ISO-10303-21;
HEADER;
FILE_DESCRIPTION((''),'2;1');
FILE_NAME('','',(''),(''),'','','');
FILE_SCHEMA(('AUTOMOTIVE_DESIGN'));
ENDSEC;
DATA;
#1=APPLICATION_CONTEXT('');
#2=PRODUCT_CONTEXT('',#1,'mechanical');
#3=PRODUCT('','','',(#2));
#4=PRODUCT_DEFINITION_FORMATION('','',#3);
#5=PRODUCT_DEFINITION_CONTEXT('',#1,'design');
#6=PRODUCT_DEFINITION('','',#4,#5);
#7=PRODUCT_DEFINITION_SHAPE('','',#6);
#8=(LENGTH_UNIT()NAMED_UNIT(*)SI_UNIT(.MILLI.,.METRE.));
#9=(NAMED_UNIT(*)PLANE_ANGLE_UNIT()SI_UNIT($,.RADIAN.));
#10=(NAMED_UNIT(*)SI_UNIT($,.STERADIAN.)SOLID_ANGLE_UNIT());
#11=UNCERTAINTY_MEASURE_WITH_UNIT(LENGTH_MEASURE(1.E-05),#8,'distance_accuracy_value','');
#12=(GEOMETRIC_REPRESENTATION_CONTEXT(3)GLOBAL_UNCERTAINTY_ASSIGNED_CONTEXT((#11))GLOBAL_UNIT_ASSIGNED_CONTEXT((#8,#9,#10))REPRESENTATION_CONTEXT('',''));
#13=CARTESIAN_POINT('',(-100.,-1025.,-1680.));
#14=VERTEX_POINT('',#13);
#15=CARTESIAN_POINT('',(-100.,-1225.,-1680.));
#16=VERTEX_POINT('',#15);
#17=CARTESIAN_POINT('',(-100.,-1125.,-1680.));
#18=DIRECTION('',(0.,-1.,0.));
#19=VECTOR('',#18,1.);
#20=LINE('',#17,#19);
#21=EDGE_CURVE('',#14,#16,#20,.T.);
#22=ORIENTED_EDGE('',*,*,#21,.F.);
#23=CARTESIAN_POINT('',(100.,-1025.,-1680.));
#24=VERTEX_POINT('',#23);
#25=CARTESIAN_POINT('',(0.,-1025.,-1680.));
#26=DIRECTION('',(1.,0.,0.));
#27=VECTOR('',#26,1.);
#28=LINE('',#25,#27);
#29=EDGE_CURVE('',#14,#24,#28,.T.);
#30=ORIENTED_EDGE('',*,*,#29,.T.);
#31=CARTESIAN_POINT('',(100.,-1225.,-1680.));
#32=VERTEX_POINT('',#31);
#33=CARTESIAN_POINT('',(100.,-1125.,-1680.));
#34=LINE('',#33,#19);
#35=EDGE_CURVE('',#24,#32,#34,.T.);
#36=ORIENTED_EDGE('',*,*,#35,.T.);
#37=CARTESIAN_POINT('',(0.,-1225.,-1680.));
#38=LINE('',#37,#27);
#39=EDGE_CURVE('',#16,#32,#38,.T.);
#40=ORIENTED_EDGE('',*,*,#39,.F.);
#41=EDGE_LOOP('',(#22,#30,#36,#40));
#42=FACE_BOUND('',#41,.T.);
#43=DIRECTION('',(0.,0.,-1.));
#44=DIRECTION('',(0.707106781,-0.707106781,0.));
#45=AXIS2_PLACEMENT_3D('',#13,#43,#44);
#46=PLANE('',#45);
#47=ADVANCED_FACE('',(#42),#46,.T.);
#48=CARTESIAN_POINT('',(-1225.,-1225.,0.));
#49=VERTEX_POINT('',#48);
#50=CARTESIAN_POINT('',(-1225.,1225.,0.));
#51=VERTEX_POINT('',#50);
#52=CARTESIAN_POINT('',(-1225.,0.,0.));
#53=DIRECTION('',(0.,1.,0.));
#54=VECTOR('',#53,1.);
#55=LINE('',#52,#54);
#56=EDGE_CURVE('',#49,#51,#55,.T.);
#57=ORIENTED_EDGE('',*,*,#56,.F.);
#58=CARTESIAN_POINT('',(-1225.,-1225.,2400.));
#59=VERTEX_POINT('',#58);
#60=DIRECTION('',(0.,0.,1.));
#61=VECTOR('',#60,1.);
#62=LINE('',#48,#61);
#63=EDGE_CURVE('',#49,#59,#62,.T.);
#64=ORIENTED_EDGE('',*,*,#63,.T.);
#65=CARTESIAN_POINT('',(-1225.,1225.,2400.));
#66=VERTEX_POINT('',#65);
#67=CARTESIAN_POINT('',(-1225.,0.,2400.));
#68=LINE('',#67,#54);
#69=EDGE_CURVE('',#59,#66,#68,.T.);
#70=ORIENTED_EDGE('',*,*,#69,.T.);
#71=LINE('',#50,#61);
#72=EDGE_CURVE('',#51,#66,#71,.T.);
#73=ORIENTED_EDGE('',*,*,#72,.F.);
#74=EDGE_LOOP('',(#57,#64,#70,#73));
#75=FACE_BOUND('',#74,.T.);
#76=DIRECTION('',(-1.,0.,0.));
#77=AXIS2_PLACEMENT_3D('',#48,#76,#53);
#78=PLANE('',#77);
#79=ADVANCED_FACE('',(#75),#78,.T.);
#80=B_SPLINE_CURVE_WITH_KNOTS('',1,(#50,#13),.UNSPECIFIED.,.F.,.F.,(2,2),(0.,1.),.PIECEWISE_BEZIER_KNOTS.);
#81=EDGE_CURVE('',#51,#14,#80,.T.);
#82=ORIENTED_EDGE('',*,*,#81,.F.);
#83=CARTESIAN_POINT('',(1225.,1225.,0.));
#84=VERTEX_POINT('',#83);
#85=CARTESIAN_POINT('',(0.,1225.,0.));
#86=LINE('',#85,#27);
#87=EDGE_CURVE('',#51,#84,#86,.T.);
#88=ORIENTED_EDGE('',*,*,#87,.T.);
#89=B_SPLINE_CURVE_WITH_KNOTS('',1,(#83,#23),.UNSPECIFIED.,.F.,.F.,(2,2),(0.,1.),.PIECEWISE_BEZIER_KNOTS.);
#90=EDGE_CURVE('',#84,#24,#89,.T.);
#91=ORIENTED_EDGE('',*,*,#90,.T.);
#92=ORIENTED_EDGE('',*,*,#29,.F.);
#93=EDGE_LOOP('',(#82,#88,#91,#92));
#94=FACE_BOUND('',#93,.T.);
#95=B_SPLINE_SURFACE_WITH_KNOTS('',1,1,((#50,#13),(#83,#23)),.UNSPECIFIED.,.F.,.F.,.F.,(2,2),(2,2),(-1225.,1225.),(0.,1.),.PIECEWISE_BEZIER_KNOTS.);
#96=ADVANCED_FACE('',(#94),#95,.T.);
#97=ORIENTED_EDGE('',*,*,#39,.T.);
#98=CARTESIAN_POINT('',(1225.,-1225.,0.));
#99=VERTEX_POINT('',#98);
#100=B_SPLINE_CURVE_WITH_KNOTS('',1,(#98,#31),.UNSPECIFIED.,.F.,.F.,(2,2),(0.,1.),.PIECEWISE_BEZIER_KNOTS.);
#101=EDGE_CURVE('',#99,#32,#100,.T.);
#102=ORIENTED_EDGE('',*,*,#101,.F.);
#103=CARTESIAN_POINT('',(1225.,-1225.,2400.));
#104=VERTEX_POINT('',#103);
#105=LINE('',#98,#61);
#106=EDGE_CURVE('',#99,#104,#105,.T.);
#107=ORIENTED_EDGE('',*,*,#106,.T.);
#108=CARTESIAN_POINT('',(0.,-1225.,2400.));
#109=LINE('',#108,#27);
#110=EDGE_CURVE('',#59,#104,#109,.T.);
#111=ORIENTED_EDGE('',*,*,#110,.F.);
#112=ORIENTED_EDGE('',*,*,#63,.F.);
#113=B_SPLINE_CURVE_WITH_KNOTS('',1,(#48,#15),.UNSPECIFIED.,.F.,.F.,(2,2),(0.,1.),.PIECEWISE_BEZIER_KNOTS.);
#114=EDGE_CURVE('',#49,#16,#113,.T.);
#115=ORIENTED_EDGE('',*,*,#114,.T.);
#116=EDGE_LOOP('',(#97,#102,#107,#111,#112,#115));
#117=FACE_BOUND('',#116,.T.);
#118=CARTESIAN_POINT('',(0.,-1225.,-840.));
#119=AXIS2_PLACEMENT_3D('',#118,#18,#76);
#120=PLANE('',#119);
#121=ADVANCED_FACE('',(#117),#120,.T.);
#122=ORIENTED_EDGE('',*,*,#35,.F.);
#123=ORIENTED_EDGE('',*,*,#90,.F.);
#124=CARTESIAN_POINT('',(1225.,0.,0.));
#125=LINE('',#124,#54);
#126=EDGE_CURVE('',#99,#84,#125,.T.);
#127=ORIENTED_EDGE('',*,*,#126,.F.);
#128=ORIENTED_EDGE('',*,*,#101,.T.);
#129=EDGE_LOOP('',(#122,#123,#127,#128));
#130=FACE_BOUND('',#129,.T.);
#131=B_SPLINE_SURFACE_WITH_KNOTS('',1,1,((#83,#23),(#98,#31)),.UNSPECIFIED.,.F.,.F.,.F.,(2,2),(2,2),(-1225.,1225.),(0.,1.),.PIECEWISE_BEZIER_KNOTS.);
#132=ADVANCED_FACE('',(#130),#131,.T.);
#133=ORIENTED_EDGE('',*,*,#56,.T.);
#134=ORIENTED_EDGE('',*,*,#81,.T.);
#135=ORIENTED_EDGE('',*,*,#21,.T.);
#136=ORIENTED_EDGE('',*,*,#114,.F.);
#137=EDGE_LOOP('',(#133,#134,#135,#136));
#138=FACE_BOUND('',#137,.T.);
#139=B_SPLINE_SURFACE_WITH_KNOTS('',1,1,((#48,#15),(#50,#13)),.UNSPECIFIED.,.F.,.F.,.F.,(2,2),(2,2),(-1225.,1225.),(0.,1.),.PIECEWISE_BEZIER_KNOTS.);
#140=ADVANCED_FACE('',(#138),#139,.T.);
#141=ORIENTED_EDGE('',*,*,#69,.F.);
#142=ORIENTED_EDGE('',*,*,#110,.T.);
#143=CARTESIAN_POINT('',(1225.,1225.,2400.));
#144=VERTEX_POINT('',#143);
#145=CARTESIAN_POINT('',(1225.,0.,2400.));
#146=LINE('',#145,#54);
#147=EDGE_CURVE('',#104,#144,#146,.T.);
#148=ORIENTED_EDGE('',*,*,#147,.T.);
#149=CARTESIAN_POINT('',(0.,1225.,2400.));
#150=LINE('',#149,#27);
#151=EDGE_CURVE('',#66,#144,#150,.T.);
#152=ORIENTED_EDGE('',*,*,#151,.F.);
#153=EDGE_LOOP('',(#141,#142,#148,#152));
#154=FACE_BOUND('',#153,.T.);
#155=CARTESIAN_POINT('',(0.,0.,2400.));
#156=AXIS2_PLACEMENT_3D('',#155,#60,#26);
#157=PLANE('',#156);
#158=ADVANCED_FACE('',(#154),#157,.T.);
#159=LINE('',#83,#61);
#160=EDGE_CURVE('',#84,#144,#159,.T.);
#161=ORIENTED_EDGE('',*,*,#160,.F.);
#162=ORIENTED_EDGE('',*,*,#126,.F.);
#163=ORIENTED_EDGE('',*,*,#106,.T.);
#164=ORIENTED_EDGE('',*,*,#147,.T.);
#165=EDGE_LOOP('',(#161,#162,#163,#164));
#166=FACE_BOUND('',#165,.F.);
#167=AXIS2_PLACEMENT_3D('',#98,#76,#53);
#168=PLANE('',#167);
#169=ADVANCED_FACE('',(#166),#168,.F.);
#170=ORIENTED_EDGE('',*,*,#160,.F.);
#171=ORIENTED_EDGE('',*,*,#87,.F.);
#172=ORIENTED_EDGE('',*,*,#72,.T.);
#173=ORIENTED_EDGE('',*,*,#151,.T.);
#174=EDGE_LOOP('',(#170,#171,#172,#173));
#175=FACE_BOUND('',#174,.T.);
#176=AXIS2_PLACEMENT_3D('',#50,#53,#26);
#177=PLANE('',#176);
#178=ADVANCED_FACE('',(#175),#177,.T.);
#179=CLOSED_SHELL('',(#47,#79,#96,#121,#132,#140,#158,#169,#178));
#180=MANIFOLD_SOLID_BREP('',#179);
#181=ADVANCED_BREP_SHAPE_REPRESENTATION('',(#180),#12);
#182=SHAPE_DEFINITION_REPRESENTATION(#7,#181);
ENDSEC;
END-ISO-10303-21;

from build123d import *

# Parameters (mm, degrees)
F0_W      = 2450
F0_H      = 2450
F1_DEPTH  = 2400
F1_FACE_W = 2450
F1_FACE_H = 2450
F3_W      = 200
F3_H      = 200
F5_DEPTH  = 400
F5_FACE_W = 2450
F5_FACE_H = 2450
F6_DEPTH  = 400


with BuildPart() as f1:
    # F0 (on Top) → F1 (new body)
    with BuildSketch(Plane.XY):
        Rectangle(F0_W, F0_H)
    extrude(amount=F1_DEPTH)

    # F1_face (on face) → F4 section 0
    with BuildSketch(Plane(origin=(0, 0, 0), x_dir=(1, 0, 0), z_dir=(0, 0, -1))):
        Rectangle(F1_FACE_W, F1_FACE_H)
    # F3 (on offset) → F4 section 1
    with BuildSketch(Plane(origin=(0, 0, -1680), x_dir=(1, 0, 0), z_dir=(0, 0, -1))):
        with Locations((0, 1125)):
            Rectangle(F3_W, F3_H)
    loft()


with BuildPart() as f5:
    # F1_face (on face) → F5 (new body)
    with BuildSketch(Plane(origin=(0, 0, 0), x_dir=(1, 0, 0), z_dir=(0, 0, -1))):
        Rectangle(F1_FACE_W, F1_FACE_H)
    extrude(amount=F5_DEPTH)


with BuildPart() as f6:
    # F5_face (on face) → F6 (new body)
    with BuildSketch(Plane(origin=(0, 0, -400), x_dir=(1, 0, 0), z_dir=(0, 0, -1))):
        Rectangle(F5_FACE_W, F5_FACE_H)
    extrude(amount=F6_DEPTH)


solid = f1.part
